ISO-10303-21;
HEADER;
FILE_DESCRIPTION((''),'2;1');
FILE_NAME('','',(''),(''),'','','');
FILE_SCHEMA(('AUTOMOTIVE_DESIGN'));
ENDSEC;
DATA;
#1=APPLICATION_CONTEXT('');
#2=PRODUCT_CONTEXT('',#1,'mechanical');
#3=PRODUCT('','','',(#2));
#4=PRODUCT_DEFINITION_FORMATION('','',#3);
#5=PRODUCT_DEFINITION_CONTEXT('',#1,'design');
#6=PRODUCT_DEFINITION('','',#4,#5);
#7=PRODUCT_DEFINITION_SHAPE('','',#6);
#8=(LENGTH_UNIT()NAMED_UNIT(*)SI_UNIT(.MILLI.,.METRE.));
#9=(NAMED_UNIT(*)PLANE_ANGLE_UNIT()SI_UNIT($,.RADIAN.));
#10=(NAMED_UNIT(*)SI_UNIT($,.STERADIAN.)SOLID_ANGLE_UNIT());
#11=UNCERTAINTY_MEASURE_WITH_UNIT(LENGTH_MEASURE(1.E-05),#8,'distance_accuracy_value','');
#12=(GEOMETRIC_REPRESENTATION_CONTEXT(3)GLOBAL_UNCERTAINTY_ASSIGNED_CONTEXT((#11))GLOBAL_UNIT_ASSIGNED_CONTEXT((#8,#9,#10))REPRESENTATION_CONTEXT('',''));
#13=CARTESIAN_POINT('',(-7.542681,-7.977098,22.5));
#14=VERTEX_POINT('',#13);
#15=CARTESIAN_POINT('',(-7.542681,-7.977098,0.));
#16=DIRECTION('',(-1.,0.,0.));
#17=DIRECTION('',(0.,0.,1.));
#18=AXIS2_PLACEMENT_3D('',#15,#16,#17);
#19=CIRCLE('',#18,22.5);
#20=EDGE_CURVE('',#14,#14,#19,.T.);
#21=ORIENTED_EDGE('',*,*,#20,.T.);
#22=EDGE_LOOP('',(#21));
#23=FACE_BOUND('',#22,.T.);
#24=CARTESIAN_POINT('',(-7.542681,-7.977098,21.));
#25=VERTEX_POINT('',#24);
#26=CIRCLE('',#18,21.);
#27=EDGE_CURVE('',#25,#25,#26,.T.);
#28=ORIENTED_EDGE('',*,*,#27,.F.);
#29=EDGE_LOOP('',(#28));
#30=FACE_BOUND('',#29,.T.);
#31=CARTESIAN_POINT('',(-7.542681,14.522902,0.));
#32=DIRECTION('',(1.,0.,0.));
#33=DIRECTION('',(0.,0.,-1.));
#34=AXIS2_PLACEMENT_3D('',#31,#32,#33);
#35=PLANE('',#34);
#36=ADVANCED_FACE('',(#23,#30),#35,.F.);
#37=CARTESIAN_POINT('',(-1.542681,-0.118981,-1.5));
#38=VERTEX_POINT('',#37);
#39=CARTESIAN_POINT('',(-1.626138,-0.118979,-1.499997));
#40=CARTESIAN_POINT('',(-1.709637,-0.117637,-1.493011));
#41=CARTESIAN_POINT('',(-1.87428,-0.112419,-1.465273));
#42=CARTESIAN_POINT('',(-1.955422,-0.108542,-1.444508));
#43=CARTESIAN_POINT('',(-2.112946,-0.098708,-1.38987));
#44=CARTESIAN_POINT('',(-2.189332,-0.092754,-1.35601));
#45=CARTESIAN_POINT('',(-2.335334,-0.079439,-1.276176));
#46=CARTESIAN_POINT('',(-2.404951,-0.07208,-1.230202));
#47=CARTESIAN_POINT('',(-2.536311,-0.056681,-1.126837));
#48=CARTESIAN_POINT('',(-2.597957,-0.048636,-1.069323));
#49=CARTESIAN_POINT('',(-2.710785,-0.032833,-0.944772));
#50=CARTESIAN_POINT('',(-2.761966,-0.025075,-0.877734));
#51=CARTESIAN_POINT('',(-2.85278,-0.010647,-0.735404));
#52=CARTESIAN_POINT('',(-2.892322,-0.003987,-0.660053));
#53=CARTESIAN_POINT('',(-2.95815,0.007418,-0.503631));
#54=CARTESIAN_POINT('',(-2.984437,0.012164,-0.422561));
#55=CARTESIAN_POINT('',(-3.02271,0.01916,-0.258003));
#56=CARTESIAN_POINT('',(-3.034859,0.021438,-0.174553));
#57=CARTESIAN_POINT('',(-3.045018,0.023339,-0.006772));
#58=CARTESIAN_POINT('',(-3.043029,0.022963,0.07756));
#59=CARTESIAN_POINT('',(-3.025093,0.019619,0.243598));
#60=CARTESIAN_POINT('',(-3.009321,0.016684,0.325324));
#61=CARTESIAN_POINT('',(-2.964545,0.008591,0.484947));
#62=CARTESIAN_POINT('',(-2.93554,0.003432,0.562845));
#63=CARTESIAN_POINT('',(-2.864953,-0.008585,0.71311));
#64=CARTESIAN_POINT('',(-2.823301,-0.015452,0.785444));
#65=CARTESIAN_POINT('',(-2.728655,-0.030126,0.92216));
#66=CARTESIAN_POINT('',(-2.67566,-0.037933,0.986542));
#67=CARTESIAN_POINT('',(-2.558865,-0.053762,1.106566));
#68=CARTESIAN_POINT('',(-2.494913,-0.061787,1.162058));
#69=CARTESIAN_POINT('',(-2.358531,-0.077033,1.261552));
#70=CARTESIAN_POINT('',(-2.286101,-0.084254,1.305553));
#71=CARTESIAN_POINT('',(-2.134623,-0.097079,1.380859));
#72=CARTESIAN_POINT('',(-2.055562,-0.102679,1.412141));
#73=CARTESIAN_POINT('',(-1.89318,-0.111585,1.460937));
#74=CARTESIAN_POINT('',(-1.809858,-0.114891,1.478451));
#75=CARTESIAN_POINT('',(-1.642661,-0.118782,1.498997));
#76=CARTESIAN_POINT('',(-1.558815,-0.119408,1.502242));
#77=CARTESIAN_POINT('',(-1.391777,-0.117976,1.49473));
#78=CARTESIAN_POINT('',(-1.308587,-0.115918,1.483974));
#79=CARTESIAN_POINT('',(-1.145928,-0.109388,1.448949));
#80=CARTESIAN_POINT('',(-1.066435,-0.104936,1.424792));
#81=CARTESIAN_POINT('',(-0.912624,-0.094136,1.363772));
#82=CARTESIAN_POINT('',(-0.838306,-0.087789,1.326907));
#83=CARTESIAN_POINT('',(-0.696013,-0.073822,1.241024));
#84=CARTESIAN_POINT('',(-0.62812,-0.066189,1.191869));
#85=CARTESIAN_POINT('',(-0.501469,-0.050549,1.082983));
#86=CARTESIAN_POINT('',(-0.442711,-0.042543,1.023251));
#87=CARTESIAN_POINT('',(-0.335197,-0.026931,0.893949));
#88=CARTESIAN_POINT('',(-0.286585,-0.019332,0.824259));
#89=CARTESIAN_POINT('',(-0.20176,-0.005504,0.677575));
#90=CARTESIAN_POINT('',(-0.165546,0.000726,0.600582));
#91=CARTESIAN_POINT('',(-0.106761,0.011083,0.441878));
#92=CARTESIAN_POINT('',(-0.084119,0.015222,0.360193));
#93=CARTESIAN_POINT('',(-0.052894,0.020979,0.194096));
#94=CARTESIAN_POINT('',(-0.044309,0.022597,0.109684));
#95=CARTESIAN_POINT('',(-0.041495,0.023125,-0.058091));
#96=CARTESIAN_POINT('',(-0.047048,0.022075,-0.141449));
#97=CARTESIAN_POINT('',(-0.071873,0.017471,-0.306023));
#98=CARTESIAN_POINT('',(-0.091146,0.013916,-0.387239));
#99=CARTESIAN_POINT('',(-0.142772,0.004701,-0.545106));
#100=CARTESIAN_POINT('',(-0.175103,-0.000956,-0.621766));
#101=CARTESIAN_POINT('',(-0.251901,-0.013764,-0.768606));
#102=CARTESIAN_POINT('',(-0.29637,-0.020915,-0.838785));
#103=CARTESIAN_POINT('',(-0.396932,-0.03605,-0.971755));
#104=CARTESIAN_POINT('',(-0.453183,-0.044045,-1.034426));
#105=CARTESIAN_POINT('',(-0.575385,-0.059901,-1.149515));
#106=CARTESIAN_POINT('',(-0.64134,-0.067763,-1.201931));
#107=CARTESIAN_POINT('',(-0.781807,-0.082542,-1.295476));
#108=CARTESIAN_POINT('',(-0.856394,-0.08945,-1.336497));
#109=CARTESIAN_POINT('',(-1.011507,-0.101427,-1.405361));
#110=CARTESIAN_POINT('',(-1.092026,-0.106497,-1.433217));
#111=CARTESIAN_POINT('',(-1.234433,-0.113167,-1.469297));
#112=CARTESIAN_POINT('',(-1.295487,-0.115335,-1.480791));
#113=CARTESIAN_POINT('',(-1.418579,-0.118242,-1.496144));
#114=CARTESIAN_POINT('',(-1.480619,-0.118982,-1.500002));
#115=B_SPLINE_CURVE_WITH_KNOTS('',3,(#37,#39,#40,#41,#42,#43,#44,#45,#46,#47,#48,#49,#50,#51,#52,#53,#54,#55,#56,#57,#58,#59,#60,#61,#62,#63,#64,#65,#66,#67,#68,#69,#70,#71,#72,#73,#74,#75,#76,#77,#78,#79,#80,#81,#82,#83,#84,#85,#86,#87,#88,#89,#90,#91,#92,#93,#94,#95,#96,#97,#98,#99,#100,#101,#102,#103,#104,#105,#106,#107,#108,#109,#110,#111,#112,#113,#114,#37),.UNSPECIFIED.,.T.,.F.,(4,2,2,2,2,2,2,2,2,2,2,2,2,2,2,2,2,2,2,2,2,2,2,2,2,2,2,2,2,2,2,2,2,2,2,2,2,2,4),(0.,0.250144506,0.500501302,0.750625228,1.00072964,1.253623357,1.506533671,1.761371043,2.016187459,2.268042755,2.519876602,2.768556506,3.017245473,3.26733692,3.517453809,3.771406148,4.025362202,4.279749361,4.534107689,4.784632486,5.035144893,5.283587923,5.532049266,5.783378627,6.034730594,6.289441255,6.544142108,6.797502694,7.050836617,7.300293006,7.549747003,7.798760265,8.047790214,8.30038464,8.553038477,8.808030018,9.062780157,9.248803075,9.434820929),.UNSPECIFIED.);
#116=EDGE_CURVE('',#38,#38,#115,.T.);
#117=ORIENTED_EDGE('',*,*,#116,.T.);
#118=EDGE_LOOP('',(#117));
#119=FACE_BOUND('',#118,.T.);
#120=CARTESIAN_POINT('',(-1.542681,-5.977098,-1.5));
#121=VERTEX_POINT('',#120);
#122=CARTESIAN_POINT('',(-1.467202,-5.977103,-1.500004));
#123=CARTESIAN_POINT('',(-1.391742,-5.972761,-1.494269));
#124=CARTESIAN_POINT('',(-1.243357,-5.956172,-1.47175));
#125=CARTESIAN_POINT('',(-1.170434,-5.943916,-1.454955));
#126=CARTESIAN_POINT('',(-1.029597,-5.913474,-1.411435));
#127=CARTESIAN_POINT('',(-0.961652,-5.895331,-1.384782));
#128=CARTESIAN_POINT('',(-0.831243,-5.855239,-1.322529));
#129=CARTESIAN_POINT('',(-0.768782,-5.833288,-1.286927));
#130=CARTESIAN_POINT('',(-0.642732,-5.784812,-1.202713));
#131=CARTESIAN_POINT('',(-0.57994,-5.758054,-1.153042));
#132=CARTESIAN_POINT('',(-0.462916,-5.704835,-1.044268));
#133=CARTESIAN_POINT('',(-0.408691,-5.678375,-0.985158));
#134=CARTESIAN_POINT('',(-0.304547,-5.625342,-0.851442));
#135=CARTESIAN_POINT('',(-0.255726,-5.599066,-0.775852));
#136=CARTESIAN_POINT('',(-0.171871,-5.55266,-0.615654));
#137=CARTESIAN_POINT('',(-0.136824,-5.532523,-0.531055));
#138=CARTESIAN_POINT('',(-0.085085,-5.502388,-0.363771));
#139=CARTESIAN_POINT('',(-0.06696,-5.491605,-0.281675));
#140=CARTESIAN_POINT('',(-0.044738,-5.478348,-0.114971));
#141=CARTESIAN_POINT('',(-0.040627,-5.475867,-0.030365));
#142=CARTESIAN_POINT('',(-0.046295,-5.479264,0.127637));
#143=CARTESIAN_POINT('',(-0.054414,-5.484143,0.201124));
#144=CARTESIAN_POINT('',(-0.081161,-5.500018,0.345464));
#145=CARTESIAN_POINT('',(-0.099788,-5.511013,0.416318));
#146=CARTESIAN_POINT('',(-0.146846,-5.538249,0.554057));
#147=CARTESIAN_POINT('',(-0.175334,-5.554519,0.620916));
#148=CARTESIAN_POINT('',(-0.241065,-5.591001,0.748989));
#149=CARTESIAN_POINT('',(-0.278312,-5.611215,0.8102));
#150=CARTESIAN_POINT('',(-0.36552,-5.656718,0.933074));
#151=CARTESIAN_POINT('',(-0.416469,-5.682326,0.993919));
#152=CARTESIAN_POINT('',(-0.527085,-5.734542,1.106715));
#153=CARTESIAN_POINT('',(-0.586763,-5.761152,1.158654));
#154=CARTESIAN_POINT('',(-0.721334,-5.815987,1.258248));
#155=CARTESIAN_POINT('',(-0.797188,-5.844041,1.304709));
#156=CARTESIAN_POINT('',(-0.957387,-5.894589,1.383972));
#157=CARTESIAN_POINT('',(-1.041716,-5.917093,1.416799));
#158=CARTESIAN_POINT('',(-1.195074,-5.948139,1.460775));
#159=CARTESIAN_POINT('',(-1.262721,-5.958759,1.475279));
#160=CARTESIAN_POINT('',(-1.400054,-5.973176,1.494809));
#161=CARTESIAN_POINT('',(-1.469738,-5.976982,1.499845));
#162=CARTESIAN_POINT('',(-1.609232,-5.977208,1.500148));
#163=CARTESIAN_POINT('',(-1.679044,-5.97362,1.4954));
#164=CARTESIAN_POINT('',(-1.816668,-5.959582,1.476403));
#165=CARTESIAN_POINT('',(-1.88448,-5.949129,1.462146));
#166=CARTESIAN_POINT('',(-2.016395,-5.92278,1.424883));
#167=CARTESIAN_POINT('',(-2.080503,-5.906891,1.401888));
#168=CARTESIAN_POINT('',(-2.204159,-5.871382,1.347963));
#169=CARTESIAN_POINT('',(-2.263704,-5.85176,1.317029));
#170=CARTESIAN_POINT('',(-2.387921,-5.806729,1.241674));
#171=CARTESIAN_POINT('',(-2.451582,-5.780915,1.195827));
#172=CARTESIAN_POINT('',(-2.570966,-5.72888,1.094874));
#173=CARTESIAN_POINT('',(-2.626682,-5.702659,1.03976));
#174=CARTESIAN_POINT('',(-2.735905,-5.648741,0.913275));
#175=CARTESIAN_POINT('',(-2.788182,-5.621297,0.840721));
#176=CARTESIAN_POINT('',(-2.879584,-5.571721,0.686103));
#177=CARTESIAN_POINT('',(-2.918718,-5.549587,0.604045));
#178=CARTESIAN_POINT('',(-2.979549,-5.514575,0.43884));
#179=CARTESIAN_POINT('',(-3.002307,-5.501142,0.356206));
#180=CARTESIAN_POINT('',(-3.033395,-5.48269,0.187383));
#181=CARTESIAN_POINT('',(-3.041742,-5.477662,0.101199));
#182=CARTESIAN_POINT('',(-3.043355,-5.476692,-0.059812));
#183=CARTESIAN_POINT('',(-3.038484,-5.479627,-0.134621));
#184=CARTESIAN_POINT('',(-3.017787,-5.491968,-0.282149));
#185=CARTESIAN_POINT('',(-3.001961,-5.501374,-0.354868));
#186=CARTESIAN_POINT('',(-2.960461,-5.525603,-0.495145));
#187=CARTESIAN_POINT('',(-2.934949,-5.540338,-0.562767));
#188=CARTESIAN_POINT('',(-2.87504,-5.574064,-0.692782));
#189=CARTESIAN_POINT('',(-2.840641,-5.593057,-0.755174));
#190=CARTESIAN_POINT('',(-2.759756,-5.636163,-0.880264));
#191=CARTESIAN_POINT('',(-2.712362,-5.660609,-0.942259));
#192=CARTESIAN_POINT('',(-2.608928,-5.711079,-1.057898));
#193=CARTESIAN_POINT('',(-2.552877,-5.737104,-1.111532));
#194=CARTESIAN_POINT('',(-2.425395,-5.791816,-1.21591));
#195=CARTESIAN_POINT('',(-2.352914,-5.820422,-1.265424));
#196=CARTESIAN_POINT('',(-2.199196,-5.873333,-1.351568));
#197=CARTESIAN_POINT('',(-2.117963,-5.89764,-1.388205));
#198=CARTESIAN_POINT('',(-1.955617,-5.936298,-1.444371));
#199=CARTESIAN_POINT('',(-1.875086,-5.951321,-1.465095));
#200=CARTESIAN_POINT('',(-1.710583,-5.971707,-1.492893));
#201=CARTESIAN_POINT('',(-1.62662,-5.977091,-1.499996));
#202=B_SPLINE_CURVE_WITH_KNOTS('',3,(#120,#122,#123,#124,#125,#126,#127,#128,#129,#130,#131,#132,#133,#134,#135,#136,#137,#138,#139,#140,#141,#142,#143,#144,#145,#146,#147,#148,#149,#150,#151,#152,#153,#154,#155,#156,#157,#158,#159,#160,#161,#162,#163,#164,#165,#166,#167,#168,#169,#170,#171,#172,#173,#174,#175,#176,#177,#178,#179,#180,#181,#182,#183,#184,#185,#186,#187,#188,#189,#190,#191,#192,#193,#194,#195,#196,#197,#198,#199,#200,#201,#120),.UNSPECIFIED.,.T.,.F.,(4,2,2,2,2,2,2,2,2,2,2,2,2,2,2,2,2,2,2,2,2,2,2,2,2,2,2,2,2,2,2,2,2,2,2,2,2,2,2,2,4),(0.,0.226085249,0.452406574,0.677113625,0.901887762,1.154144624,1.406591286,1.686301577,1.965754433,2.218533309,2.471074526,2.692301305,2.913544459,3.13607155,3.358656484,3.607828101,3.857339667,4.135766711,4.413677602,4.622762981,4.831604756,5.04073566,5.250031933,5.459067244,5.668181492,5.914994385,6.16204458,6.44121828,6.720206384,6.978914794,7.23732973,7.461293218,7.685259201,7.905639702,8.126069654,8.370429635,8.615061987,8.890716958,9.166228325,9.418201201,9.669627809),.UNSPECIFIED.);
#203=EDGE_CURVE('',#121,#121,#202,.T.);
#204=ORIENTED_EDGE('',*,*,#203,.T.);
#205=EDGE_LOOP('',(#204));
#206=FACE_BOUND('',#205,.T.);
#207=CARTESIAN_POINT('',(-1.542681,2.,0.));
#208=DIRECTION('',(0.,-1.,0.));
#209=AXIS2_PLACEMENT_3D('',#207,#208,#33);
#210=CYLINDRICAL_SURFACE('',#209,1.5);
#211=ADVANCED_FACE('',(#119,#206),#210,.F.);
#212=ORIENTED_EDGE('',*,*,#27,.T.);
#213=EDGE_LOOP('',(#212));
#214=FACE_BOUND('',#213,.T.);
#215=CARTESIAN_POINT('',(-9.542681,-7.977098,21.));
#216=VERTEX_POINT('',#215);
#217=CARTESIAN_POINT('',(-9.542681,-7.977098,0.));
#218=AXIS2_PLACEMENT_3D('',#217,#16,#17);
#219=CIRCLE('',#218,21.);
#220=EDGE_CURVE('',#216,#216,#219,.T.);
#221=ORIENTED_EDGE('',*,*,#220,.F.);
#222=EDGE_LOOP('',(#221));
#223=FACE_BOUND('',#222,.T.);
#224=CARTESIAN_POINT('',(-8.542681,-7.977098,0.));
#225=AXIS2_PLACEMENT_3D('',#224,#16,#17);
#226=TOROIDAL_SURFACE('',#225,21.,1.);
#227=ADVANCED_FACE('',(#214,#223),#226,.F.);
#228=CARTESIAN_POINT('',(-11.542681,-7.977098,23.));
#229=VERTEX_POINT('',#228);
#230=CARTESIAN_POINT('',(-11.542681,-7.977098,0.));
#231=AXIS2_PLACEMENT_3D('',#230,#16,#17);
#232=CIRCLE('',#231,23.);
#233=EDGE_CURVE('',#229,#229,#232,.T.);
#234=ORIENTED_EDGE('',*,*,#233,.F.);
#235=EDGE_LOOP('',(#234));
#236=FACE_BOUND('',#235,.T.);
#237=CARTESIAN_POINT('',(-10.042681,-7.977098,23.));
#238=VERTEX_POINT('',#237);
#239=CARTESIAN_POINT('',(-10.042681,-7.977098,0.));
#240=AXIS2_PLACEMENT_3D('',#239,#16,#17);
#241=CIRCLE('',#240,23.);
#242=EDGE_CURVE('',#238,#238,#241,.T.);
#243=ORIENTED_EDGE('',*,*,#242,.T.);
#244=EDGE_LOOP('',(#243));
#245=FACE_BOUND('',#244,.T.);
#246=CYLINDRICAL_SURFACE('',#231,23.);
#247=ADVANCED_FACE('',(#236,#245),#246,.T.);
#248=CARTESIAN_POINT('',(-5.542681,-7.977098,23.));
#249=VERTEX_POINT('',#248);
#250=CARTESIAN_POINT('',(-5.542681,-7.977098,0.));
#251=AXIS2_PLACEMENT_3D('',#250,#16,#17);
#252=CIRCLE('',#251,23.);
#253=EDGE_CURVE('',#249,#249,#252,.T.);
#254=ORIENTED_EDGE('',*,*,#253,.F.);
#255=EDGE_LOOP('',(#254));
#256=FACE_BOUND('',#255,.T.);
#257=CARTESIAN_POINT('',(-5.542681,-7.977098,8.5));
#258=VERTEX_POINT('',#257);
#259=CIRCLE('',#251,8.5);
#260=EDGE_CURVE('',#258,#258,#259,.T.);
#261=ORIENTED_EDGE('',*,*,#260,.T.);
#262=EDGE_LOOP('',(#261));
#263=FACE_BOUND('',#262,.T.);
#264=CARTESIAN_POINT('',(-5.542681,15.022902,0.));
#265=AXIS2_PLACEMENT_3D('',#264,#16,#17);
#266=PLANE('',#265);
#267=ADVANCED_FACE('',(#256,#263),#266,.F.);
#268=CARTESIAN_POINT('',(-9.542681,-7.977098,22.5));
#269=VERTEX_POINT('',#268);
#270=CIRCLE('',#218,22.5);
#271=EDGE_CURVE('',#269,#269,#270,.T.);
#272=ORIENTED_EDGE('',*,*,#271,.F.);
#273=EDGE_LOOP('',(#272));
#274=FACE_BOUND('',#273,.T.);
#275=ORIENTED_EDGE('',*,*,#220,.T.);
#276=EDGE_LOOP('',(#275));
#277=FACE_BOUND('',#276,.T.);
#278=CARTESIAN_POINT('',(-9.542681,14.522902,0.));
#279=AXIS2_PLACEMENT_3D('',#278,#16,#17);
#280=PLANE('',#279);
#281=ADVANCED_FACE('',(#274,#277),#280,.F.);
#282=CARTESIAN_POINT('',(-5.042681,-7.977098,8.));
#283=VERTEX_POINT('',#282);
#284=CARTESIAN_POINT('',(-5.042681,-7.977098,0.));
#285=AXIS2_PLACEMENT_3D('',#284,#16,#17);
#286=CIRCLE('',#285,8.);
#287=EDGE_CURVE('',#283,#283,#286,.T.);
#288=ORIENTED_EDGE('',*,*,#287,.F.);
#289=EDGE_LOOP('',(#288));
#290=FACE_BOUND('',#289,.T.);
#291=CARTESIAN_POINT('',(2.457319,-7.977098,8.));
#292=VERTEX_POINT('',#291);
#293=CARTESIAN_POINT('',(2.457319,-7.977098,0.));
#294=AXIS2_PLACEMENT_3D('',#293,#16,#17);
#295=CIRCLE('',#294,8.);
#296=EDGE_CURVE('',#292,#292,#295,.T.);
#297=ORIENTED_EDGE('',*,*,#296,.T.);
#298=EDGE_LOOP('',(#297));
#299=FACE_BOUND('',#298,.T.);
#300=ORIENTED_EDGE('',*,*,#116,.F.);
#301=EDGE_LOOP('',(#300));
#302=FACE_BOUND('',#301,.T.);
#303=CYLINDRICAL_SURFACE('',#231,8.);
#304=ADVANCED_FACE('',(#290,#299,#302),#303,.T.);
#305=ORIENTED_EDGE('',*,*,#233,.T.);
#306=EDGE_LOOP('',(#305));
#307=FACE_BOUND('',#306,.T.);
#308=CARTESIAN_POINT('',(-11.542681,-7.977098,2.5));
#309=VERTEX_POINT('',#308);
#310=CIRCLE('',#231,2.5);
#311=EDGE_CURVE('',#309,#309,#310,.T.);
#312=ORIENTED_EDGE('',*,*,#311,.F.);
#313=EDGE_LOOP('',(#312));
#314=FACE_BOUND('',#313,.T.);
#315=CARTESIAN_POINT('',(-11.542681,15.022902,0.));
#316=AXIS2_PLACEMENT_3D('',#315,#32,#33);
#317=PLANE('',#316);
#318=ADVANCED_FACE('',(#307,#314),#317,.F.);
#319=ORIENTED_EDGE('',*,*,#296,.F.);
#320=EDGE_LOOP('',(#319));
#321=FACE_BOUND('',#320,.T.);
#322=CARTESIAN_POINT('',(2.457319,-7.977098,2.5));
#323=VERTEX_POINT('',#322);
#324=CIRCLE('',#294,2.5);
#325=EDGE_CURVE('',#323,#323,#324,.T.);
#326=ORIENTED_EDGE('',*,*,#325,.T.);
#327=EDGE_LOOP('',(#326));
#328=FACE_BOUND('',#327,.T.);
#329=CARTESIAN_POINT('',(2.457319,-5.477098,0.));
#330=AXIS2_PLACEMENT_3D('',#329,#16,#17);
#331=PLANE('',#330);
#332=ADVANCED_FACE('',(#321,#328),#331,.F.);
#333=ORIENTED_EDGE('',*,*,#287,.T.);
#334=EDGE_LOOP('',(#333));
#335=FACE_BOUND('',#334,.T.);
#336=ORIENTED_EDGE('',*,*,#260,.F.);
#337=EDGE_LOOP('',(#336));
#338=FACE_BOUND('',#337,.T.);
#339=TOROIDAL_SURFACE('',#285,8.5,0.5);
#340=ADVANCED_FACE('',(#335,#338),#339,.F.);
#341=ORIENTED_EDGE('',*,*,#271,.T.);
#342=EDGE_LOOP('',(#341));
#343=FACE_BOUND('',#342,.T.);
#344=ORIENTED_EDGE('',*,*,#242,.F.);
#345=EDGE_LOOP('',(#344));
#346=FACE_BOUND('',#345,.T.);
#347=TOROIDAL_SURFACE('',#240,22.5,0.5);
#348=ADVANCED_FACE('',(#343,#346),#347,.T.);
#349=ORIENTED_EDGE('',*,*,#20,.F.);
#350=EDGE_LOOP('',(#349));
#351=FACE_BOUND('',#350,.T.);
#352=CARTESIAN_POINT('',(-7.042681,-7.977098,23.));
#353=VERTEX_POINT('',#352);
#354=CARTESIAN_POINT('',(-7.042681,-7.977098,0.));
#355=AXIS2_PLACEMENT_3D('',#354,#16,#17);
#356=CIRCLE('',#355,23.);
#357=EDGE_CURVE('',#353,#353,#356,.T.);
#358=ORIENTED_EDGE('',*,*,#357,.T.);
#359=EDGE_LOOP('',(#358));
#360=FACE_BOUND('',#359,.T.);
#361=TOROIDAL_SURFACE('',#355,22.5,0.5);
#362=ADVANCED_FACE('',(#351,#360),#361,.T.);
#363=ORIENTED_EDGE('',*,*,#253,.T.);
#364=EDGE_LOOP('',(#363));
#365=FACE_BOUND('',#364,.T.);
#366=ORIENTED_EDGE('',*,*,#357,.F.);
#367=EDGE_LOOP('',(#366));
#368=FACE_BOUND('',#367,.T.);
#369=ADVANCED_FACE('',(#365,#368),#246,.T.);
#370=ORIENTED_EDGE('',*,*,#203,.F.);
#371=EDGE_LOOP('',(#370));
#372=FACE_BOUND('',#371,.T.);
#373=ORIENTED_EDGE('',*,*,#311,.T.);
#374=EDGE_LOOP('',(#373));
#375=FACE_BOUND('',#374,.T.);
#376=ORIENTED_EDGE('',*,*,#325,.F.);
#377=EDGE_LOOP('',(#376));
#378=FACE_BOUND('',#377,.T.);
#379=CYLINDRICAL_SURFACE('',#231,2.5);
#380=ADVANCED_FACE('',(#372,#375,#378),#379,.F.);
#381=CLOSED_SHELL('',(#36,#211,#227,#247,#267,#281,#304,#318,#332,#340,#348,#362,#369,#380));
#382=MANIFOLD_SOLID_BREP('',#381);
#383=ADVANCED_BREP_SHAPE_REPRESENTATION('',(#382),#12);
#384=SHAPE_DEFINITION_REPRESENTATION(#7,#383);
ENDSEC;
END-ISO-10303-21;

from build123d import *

# Parameters (mm, degrees)
CUT_EXTRUDE3_DEPTH      = 2
CUT_EXTRUDE3_DEPTH_BACK = 8
SKETCH7_R               = 1.5


with BuildPart() as part:
    # Sketch1 → Revolve1 (revolve)
    with BuildSketch(Plane.XY, mode=Mode.PRIVATE) as revolve1_sk:
        with BuildLine():
            Line((-11.54268079, 15.022902393), (-10.04268079, 15.022902393))
            ThreePointArc((-10.04268079, 15.022902393), (-9.689127399, 14.876455783), (-9.54268079, 14.522902393))
            Line((-9.54268079, 14.522902393), (-9.54268079, 13.022902453))
            ThreePointArc((-9.54268079, 13.022902453), (-8.54268079, 12.022902453), (-7.54268079, 13.022902453))
            Line((-7.54268079, 13.022902453), (-7.54268079, 14.522902393))
            ThreePointArc((-7.54268079, 14.522902393), (-7.396234181, 14.876455783), (-7.04268079, 15.022902393))
            Line((-7.04268079, 15.022902393), (-5.54268079, 15.022902393))
            Line((-5.54268079, 15.022902393), (-5.54268079, 0.522902393))
            ThreePointArc((-5.54268079, 0.522902393), (-5.396234181, 0.169349002), (-5.04268079, 0.022902393))
            Line((-5.04268079, 0.022902393), (2.45731921, 0.022902393))
            Line((2.45731921, 0.022902393), (2.45731921, -5.477097607))
            Line((2.45731921, -5.477097607), (-11.54268079, -5.477097607))
            Line((-11.54268079, -5.477097607), (-11.54268079, 15.022902393))
        make_face()
    revolve(revolve1_sk.sketch.rotate(Axis((-11.54268079, -7.977097607, 0), (1, 0, 0)), 90), axis=Axis((-11.54268079, -7.977097607, 0), (1, 0, 0)))

    # Sketch7 → Cut-Extrude3 (cut, two sides: drawn at the far end of the back side and taken through both)
    with BuildSketch(Plane(origin=(0, 0, 0), x_dir=(1, 0, 0), z_dir=(0, 1, 0)).offset(-CUT_EXTRUDE3_DEPTH_BACK)):
        with Locations(Location((-1.54268079, 0, 0), (0, 0, 90))):
            Circle(SKETCH7_R)
    extrude(amount=CUT_EXTRUDE3_DEPTH + CUT_EXTRUDE3_DEPTH_BACK, mode=Mode.SUBTRACT)


solid = part.part
